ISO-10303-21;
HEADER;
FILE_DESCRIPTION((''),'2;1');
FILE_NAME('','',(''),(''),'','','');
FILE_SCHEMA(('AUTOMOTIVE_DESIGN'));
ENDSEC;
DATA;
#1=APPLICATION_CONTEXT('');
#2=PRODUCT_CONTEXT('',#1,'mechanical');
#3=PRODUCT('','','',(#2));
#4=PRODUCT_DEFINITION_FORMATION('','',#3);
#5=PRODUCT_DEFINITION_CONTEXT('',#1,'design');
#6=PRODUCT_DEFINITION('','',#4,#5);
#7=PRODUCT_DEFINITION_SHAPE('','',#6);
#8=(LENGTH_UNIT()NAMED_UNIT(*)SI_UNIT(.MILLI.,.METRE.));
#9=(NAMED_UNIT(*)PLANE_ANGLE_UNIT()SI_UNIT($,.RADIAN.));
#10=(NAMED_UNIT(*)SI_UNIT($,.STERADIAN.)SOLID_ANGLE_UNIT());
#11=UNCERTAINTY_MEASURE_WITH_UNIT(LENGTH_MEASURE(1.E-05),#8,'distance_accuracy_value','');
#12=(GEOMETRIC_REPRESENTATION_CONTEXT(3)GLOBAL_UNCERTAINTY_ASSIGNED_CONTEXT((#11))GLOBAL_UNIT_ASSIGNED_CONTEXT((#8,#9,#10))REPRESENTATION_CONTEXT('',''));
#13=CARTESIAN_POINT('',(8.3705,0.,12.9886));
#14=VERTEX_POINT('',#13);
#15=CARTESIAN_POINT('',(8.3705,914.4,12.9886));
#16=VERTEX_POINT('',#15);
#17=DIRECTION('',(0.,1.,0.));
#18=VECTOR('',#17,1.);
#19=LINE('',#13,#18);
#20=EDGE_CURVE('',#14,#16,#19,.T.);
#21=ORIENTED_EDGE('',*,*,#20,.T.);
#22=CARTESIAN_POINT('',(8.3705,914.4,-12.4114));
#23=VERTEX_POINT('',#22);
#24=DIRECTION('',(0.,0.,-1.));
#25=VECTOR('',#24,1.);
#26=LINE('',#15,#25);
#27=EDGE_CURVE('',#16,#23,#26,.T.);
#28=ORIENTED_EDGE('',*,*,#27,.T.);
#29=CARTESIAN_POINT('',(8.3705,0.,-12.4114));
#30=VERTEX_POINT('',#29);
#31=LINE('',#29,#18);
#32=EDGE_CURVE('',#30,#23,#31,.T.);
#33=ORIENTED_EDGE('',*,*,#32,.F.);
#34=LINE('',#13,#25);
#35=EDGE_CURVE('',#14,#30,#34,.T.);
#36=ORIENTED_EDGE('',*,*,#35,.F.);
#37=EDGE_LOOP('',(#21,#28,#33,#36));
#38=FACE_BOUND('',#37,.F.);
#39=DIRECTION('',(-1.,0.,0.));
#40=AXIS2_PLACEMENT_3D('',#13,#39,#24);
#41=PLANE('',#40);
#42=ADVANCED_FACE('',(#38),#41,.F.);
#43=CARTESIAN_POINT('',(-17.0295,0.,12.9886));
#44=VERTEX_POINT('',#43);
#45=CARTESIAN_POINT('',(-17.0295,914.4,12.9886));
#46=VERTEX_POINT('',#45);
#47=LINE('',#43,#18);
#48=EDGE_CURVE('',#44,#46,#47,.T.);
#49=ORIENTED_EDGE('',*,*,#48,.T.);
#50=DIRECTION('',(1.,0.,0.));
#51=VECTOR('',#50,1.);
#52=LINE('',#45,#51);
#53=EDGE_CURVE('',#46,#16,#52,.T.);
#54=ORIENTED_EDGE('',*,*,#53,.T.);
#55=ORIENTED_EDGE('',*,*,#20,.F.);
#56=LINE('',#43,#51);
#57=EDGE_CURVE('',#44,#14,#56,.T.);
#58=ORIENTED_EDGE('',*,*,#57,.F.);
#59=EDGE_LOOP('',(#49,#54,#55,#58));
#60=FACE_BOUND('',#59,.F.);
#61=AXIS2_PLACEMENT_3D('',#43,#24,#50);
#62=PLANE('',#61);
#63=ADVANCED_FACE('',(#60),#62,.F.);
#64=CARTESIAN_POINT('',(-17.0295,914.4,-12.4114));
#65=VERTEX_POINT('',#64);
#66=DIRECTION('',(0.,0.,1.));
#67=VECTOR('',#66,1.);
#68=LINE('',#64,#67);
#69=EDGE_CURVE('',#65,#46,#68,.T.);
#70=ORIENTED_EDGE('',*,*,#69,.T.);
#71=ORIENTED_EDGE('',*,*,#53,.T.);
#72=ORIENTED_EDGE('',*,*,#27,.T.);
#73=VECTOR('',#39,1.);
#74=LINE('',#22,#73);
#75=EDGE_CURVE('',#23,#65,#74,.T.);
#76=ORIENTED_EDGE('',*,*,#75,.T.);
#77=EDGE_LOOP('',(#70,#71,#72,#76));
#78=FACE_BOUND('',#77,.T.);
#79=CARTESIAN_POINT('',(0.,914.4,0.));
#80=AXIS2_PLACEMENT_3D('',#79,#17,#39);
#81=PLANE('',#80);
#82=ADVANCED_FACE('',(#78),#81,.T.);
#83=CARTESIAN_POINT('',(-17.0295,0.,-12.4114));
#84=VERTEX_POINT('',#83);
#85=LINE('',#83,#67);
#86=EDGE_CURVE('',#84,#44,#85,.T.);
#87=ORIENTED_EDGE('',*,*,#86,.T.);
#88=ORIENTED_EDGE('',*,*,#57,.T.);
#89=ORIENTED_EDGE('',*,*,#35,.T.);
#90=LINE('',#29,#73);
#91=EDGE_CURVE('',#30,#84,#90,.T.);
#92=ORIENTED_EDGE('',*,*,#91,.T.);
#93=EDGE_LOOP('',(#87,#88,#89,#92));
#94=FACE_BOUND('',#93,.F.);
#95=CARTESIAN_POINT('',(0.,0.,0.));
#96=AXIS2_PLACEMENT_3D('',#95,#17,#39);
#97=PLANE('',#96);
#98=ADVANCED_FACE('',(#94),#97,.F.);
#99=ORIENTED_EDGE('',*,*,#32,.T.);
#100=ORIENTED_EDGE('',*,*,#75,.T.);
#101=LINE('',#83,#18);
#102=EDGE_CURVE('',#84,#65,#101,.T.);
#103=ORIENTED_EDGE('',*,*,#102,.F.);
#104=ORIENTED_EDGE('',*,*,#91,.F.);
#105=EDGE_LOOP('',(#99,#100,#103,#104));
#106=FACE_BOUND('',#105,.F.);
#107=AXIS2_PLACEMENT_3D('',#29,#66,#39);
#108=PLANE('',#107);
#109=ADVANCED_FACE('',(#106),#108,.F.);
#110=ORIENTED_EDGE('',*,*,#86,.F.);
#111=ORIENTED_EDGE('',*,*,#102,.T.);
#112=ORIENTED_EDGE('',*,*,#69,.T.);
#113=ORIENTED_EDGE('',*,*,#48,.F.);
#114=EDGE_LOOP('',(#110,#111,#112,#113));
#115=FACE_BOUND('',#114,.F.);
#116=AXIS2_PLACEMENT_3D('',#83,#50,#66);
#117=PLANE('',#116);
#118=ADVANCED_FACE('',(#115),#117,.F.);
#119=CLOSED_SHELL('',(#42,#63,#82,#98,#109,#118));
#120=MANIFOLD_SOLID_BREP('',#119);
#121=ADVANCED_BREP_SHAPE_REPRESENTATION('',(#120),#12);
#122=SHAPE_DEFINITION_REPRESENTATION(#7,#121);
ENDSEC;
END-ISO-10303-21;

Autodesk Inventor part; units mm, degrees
ref_plane "YZ Plane" through (0, 0, 0) normal (1, 0, 0) x (0, 1, 0)
ref_plane "XZ Plane" through (0, 0, 0) normal (0, 1, 0) x (-1, 0, 0)
ref_plane "XY Plane" through (0, 0, 0) normal (0, 0, 1) x (1, 0, 0)
sketch "Sketch1" plane through (0, 0, 0) normal (0, 1, 0) x (-1, 0, 0)
  line L0 (17.0295, 12.9886) -> (-8.3705, 12.9886)
  line L1 (-8.3705, 12.9886) -> (-8.3705, -12.4114)
  line L2 (-8.3705, -12.4114) -> (17.0295, -12.4114)
  line L3 (17.0295, -12.4114) -> (17.0295, 12.9886)
  point P0 (0, 0)
  dimension "d0" = 25.4
  dimension "d1" = 25.4
extrude "Extrusion1" add sketch "Sketch1" along normal blind 914.4
properties part number "FrontBeam"
